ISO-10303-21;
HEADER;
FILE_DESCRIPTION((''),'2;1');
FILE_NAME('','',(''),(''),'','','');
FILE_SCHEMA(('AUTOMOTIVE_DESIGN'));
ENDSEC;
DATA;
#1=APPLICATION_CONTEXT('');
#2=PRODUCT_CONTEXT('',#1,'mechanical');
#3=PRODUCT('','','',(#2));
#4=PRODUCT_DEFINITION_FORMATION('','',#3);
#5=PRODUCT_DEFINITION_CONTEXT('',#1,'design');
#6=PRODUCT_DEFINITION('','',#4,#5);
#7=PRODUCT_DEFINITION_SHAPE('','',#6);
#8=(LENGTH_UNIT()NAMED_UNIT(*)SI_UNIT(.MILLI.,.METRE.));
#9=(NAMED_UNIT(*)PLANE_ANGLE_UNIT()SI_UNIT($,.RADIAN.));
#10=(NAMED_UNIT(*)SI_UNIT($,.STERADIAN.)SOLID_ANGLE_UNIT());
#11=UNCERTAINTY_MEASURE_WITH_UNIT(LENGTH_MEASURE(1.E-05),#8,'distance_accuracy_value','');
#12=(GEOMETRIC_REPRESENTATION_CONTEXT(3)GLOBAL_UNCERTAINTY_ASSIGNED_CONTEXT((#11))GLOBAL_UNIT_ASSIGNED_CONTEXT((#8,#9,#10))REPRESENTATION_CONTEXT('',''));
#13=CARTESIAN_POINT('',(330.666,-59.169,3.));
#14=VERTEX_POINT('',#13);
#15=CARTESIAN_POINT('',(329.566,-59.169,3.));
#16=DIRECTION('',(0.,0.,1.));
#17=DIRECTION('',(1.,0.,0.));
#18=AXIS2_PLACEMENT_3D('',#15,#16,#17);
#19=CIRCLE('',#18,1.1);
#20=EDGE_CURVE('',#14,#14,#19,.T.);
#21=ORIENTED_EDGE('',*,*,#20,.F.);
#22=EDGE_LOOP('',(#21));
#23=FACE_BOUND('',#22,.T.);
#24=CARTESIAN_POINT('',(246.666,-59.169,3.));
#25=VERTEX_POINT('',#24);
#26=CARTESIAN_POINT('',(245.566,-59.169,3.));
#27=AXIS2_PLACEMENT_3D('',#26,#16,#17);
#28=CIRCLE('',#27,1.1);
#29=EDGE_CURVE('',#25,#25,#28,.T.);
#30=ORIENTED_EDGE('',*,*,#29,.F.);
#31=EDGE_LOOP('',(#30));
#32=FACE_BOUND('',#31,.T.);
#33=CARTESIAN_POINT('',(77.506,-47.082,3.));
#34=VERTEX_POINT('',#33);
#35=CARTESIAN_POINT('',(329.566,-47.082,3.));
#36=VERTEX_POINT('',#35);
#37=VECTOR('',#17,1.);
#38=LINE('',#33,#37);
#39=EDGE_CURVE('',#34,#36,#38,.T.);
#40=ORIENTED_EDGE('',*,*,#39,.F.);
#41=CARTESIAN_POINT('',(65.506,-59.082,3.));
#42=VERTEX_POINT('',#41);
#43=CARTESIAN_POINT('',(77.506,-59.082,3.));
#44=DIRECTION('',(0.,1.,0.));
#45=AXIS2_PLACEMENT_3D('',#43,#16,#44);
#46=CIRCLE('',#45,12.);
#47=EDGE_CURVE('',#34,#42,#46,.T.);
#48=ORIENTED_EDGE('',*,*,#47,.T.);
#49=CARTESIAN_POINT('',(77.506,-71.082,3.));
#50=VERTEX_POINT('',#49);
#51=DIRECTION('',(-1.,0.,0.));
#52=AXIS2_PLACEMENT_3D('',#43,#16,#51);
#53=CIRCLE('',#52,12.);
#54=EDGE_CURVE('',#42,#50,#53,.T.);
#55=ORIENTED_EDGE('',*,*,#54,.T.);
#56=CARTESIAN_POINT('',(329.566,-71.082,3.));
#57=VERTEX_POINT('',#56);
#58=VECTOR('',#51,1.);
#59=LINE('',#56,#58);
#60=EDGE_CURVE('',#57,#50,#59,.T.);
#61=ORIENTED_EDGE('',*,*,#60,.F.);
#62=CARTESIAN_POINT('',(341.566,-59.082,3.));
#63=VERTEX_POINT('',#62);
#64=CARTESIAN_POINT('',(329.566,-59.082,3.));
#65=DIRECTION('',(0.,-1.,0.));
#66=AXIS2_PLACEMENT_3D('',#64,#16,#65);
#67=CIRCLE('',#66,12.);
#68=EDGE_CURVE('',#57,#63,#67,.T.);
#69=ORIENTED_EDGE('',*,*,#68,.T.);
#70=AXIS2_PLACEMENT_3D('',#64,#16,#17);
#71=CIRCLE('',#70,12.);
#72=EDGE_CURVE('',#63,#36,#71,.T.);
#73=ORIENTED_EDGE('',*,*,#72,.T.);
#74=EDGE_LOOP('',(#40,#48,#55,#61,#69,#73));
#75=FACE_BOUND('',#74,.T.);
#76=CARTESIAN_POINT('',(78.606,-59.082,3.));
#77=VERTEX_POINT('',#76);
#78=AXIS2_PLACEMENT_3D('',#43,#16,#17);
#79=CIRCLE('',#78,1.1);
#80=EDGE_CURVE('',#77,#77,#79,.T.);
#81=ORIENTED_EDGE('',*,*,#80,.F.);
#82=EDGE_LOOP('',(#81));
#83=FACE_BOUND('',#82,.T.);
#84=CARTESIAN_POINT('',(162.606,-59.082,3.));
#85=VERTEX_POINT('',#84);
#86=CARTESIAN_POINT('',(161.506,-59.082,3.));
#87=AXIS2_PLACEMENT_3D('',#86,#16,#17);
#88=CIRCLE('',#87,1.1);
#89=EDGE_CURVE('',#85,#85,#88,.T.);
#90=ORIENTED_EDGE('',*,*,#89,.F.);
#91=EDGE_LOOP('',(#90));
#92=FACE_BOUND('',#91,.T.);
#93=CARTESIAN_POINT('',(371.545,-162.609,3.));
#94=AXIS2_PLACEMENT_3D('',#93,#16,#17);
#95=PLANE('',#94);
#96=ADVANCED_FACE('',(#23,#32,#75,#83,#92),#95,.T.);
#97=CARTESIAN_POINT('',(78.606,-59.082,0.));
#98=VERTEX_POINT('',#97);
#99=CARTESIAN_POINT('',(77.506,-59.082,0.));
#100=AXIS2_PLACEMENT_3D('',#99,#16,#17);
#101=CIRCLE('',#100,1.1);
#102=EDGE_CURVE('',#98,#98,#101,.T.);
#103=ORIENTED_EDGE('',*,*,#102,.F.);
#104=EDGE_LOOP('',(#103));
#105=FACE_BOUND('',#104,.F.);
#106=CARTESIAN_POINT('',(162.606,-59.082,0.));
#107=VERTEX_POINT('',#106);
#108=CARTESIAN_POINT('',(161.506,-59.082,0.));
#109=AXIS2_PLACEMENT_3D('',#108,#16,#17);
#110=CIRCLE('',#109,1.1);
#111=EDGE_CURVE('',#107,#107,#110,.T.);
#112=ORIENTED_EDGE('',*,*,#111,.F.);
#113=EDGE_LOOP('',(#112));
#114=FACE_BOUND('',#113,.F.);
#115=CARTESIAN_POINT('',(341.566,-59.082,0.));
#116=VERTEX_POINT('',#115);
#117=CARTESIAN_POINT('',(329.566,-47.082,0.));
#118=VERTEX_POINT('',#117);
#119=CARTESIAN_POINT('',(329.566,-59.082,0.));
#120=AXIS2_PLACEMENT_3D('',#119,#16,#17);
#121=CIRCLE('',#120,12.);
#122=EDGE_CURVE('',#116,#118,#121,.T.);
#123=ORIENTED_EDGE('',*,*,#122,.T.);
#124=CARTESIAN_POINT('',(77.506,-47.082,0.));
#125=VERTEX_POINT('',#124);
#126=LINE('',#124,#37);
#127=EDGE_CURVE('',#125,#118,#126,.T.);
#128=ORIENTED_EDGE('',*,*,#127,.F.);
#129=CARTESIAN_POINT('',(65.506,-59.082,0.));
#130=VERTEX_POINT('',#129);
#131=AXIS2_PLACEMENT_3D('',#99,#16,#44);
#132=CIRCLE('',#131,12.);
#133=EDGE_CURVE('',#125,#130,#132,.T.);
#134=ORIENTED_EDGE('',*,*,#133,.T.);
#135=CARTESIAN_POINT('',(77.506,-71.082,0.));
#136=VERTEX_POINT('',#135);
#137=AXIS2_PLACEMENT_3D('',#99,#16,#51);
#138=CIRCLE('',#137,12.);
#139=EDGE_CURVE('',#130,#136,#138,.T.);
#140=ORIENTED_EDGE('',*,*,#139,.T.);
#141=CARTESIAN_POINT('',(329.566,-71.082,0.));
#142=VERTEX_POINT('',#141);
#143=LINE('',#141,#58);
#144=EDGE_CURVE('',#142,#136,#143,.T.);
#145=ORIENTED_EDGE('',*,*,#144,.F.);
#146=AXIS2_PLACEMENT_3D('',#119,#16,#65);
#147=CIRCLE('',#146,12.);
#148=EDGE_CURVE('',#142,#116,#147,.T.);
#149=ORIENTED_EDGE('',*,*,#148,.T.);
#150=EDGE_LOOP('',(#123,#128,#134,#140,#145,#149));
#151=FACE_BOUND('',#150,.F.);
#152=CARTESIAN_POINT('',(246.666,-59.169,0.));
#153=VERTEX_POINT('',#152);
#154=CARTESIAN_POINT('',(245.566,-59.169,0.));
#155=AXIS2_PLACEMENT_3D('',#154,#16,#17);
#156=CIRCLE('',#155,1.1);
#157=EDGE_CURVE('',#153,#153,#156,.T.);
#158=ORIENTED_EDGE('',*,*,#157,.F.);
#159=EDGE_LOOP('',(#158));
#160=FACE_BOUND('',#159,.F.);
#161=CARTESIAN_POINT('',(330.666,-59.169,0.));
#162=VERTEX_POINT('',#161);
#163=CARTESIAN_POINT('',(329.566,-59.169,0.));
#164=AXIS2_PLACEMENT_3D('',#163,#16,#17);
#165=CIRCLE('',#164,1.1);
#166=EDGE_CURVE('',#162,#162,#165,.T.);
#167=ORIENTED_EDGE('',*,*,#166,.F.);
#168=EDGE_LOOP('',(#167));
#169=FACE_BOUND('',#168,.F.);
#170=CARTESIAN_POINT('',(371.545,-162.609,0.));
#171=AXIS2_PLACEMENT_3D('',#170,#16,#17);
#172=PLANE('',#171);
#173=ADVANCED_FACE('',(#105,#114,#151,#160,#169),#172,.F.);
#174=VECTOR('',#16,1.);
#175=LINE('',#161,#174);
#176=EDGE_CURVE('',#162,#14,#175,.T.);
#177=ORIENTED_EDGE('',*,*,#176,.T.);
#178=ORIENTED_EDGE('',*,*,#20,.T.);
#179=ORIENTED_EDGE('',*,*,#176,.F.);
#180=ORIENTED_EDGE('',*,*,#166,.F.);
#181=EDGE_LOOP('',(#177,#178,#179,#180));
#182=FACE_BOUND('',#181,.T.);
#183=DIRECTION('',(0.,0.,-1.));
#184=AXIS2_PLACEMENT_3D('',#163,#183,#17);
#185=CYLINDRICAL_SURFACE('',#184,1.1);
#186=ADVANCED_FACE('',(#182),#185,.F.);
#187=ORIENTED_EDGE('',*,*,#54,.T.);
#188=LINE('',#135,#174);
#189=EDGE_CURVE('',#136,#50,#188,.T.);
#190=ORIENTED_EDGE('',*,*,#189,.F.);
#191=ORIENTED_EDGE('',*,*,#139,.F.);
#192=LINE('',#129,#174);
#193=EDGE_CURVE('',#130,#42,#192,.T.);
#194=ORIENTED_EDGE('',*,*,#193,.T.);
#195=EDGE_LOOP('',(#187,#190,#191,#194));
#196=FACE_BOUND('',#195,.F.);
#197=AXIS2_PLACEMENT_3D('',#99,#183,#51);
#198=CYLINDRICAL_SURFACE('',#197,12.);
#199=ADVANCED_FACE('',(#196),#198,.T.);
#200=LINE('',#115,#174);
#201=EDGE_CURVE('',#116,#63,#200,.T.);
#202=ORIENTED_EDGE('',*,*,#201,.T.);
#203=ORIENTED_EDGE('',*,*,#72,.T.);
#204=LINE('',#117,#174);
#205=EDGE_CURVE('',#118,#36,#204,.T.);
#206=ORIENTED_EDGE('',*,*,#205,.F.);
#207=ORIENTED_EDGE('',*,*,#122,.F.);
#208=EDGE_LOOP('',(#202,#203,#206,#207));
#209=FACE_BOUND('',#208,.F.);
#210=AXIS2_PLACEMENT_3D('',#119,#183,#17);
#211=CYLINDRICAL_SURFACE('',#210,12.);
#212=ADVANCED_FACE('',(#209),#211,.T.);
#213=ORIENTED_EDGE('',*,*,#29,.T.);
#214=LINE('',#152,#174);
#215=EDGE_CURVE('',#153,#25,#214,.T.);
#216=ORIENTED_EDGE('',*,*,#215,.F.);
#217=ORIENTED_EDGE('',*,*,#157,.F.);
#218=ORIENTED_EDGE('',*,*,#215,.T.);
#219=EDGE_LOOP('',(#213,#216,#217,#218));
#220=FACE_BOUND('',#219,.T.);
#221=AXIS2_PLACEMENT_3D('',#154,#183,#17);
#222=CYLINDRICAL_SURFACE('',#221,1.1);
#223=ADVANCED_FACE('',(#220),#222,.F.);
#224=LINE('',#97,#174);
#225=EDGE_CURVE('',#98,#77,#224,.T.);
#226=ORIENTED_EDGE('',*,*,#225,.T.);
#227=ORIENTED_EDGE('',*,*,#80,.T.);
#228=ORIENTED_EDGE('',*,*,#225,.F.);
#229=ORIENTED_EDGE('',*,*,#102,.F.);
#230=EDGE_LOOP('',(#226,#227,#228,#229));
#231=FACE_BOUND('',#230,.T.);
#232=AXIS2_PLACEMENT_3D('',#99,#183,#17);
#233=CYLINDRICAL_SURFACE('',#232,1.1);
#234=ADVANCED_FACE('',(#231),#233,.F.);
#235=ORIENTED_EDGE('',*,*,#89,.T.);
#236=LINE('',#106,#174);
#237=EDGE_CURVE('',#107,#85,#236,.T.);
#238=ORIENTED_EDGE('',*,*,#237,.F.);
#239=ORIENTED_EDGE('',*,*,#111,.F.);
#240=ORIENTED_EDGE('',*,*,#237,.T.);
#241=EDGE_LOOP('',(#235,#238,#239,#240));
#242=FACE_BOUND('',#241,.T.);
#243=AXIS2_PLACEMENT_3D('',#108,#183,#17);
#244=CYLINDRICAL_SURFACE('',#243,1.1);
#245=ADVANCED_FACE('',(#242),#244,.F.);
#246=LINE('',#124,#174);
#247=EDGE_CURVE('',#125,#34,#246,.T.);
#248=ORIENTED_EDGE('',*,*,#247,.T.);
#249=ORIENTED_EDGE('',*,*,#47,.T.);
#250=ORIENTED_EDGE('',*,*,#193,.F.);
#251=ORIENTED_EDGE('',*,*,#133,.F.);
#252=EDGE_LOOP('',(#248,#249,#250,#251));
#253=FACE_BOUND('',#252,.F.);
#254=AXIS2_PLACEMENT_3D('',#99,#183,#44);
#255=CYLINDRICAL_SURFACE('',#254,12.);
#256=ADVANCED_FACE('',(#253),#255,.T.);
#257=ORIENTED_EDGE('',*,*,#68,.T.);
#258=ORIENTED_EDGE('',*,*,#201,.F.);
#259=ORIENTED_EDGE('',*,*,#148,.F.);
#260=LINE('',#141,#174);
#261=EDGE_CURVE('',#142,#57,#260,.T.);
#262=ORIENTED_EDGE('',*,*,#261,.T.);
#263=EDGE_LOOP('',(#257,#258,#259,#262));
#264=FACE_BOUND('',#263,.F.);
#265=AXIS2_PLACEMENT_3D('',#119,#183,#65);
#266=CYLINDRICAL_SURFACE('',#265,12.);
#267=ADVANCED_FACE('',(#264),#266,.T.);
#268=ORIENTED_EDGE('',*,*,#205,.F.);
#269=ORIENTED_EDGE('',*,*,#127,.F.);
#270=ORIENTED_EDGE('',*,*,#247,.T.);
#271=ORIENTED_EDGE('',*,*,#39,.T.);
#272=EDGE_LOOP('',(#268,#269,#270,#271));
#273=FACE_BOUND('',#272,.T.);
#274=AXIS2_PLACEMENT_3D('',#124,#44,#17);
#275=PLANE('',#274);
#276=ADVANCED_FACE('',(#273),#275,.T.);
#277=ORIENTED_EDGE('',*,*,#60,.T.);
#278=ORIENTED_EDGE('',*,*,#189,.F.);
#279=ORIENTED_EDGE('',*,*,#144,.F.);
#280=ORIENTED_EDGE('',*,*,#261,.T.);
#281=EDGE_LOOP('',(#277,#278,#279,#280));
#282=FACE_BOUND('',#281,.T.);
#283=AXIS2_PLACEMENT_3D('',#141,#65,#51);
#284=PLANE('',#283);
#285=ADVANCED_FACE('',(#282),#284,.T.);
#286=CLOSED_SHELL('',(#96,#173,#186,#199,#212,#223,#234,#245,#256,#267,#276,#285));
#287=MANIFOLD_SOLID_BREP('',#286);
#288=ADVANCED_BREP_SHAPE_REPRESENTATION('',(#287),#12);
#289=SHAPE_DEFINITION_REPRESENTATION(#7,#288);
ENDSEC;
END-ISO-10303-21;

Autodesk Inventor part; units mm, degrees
ref_plane "YZ Plane" through (0, 0, 0) normal (1, 0, 0) x (0, 1, 0)
ref_plane "XZ Plane" through (0, 0, 0) normal (0, 1, 0) x (-1, 0, 0)
ref_plane "XY Plane" through (0, 0, 0) normal (0, 0, 1) x (1, 0, 0)
ref_plane "Work Plane2" through (35.545, -31.609, 1.6) normal (0, 0, 1) x (1, 0, 0)
sketch "Sketch2" plane through (35.545, -31.609, 1.6) normal (0, 0, 1) x (1, 0, 0)
  line L0 (-4.7778, 3.1171) -> (341.5466, 3.1925) construction
  line L1 (341.5466, 3.1925) -> (341.5765, -133.848) construction
  line L2 (341.5765, -133.848) -> (-4.7479, -133.9235) construction
  line L3 (-4.7479, -133.9235) -> (-4.7778, 3.1171) construction
  point P0 (-35.545, 31.609)
ref_plane "Work Plane1" through (371.545, -162.609, 0) normal (0, 0, -1) x (-1, 0, 0)
sketch "Sketch9" plane through (371.545, -162.609, 0) normal (0, 0, -1) x (-1, 0, 0)
  line L0 (336, 131) -> (0, 131) projected
  line L1 (-2, 129) -> (-2, 2) projected
  line L2 (-1.9796, 129.2846) -> (-2, 129) projected
  line L3 (-1.919, 129.5635) -> (-1.9796, 129.2846) projected
  line L4 (-1.8193, 129.8308) -> (-1.919, 129.5635) projected
  line L5 (-1.6825, 130.0813) -> (-1.8193, 129.8308) projected
  line L6 (-1.5115, 130.3097) -> (-1.6825, 130.0813) projected
  line L7 (-1.3097, 130.5115) -> (-1.5115, 130.3097) projected
  line L8 (-1.0813, 130.6825) -> (-1.3097, 130.5115) projected
  line L9 (-0.8308, 130.8193) -> (-1.0813, 130.6825) projected
  line L10 (-0.5635, 130.919) -> (-0.8308, 130.8193) projected
  line L11 (-0.2846, 130.9796) -> (-0.5635, 130.919) projected
  line L12 (0, 131) -> (-0.2846, 130.9796) projected
  circle A0 centre (2.362, 128.645) radius 1.1 projected
  circle A1 centre (68.695, 128.645) radius 1.1 projected
  circle A2 centre (135.028, 128.645) radius 1.1 projected
  circle A3 centre (201.361, 128.645) radius 1.1 projected
  circle A4 centre (267.694, 128.645) radius 1.1 projected
  circle A5 centre (334.027, 128.645) radius 1.1 projected
  line L13 (338, 2) -> (338, 129) projected
  line L14 (338, 129) -> (337.9796, 129.2846) projected
  line L15 (337.9796, 129.2846) -> (337.919, 129.5635) projected
  line L16 (337.919, 129.5635) -> (337.8193, 129.8308) projected
  line L17 (337.8193, 129.8308) -> (337.6825, 130.0813) projected
  line L18 (337.6825, 130.0813) -> (337.5115, 130.3097) projected
  line L19 (337.5115, 130.3097) -> (337.3097, 130.5115) projected
  line L20 (337.3097, 130.5115) -> (337.0813, 130.6825) projected
  line L21 (337.0813, 130.6825) -> (336.8308, 130.8193) projected
  line L22 (336.8308, 130.8193) -> (336.5635, 130.919) projected
  line L23 (336.5635, 130.919) -> (336.2846, 130.9796) projected
  line L24 (336.2846, 130.9796) -> (336, 131) projected
  line L25 (0, 0) -> (336, 0) projected
  line L26 (336, 0) -> (336.2846, 0.0204) projected
  line L27 (336.2846, 0.0204) -> (336.5635, 0.081) projected
  line L28 (336.5635, 0.081) -> (336.8308, 0.1807) projected
  line L29 (336.8308, 0.1807) -> (337.0813, 0.3175) projected
  line L30 (337.0813, 0.3175) -> (337.3097, 0.4885) projected
  line L31 (337.3097, 0.4885) -> (337.5115, 0.6903) projected
  line L32 (337.5115, 0.6903) -> (337.6825, 0.9187) projected
  line L33 (337.6825, 0.9187) -> (337.8193, 1.1692) projected
  line L34 (337.8193, 1.1692) -> (337.919, 1.4365) projected
  line L35 (337.919, 1.4365) -> (337.9796, 1.7154) projected
  line L36 (337.9796, 1.7154) -> (338, 2) projected
  circle A6 centre (334.02, 2.37) radius 1.1 projected
  circle A7 centre (267.687, 2.37) radius 1.1 projected
  circle A8 centre (201.354, 2.37) radius 1.1 projected
  circle A9 centre (135.021, 2.37) radius 1.1 projected
  circle A10 centre (68.688, 2.37) radius 1.1 projected
  circle A11 centre (2.355, 2.37) radius 1.1 projected
  line L37 (-0.2846, 0.0204) -> (0, 0) projected
  line L38 (-0.5635, 0.081) -> (-0.2846, 0.0204) projected
  line L39 (-0.8308, 0.1807) -> (-0.5635, 0.081) projected
  line L40 (-1.0813, 0.3175) -> (-0.8308, 0.1807) projected
  line L41 (-1.3097, 0.4885) -> (-1.0813, 0.3175) projected
  line L42 (-1.5115, 0.6903) -> (-1.3097, 0.4885) projected
  line L43 (-1.6825, 0.9187) -> (-1.5115, 0.6903) projected
  line L44 (-1.8193, 1.1692) -> (-1.6825, 0.9187) projected
  line L45 (-1.919, 1.4365) -> (-1.8193, 1.1692) projected
  line L46 (-1.9796, 1.7154) -> (-1.919, 1.4365) projected
  line L47 (-2, 2) -> (-1.9796, 1.7154) projected
  circle A12 centre (41.979, 103.44) radius 1.1 projected
  circle A13 centre (125.979, 103.44) radius 1.1 projected
  circle A14 centre (210.039, 103.527) radius 1.1 projected
  circle A15 centre (294.039, 103.527) radius 1.1 projected
  point P0 (371.545, 162.609)
ref_plane "Work Plane3" through (371.545, -162.609, 0) normal (0, 0, 1) x (1, 0, 0)
sketch "Sketch10" plane through (371.545, -162.609, 0) normal (0, 0, 1) x (1, 0, 0)
  circle A0 centre (-294.039, 103.527) radius 1.1 projected
  circle A1 centre (-210.039, 103.527) radius 1.1 projected
  circle A2 centre (-125.979, 103.44) radius 1.1 projected
  circle A3 centre (-41.979, 103.44) radius 1.1 projected
  line L0 (-294.039, 115.527) -> (-41.979, 115.527)
  line L1 (-29.979, 103.527) -> (-29.979, 103.527)
  line L2 (-41.979, 91.527) -> (-294.039, 91.527)
  line L3 (-306.039, 103.527) -> (-306.039, 103.527)
  arc A4 (-29.979, 103.527) -> (-41.979, 115.527) centre (-41.979, 103.527) ccw
  arc A5 (-41.979, 91.527) -> (-29.979, 103.527) centre (-41.979, 103.527) ccw
  arc A6 (-294.039, 115.527) -> (-306.039, 103.527) centre (-294.039, 103.527) ccw
  arc A7 (-306.039, 103.527) -> (-294.039, 91.527) centre (-294.039, 103.527) ccw
  point P0 (-371.545, 162.609)
  point P1 (-29.979, 103.527)
  dimension "d89" = 12
  dimension "d90" = 12
  dimension "d91" = 12
  dimension "d92" = 12
  dimension "d93" = 12
extrude "Extrusion4" add sketch "Sketch10" along normal blind 3
properties part number "foot3"
